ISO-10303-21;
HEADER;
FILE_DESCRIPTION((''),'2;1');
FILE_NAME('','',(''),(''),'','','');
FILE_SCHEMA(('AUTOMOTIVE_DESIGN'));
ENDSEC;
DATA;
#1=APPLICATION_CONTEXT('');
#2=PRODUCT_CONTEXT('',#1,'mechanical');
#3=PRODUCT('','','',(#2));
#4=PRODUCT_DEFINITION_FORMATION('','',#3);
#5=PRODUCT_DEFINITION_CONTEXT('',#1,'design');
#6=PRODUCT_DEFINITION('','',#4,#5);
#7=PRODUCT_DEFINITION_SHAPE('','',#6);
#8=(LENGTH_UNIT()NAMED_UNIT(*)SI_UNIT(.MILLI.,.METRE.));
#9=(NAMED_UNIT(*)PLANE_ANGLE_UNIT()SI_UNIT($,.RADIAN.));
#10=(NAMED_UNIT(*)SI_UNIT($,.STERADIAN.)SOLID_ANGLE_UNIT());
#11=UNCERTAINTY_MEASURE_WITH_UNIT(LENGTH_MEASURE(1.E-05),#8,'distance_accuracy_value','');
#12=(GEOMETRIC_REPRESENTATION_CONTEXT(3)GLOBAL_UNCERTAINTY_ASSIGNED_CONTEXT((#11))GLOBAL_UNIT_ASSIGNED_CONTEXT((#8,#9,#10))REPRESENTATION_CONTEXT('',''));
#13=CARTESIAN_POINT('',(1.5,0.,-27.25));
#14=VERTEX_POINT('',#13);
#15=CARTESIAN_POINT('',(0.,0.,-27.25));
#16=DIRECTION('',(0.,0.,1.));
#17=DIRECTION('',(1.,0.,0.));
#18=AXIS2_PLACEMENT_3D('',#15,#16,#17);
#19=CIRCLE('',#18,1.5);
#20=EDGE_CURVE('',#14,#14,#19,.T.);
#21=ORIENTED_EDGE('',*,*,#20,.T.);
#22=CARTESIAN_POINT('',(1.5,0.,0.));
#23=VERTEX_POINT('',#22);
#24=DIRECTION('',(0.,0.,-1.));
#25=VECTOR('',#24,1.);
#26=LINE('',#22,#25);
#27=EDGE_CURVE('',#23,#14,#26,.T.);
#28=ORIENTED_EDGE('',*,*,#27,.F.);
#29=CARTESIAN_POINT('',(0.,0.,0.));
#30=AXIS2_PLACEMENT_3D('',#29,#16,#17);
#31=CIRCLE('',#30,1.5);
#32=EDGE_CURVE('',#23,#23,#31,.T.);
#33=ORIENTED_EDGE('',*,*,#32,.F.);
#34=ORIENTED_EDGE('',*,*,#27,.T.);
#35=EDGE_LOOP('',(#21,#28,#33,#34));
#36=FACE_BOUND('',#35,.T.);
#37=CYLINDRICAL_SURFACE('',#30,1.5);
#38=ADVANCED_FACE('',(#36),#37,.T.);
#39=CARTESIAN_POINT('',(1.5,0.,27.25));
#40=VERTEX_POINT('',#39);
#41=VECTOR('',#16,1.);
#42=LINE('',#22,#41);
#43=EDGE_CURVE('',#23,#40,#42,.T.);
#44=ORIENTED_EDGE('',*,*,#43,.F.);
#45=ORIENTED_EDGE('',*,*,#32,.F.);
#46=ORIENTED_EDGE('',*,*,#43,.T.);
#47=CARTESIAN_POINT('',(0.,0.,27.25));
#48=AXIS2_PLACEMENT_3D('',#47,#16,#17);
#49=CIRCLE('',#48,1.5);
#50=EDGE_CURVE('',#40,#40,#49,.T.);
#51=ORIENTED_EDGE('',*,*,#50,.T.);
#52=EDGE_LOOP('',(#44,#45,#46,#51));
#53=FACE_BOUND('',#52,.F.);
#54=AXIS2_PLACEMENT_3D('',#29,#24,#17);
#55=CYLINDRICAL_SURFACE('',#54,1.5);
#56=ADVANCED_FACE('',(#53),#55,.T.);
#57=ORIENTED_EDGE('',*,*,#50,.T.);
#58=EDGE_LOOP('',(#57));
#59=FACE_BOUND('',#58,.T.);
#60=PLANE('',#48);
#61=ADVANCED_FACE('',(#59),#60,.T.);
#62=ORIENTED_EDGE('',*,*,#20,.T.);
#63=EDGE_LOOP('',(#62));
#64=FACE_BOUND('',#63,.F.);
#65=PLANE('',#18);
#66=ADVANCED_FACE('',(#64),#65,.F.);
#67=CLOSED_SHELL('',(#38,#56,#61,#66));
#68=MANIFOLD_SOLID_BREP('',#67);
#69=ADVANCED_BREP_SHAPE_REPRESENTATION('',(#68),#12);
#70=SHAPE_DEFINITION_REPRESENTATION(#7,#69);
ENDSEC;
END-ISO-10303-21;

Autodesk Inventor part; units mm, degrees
ref_plane "YZ Plane" through (0, 0, 0) normal (1, 0, 0) x (0, 1, 0)
ref_plane "XZ Plane" through (0, 0, 0) normal (0, 1, 0) x (-1, 0, 0)
ref_plane "XY Plane" through (0, 0, 0) normal (0, 0, 1) x (1, 0, 0)
sketch "スケッチ1" plane through (0, 0, 0) normal (0, 0, 1) x (1, 0, 0)
  circle A0 centre (0, 0) radius 1.5
  dimension "d0" = 3
extrude "押し出し1" add sketch "スケッチ1" along normal mid plane 54.5
properties part number "soroban_sh"
